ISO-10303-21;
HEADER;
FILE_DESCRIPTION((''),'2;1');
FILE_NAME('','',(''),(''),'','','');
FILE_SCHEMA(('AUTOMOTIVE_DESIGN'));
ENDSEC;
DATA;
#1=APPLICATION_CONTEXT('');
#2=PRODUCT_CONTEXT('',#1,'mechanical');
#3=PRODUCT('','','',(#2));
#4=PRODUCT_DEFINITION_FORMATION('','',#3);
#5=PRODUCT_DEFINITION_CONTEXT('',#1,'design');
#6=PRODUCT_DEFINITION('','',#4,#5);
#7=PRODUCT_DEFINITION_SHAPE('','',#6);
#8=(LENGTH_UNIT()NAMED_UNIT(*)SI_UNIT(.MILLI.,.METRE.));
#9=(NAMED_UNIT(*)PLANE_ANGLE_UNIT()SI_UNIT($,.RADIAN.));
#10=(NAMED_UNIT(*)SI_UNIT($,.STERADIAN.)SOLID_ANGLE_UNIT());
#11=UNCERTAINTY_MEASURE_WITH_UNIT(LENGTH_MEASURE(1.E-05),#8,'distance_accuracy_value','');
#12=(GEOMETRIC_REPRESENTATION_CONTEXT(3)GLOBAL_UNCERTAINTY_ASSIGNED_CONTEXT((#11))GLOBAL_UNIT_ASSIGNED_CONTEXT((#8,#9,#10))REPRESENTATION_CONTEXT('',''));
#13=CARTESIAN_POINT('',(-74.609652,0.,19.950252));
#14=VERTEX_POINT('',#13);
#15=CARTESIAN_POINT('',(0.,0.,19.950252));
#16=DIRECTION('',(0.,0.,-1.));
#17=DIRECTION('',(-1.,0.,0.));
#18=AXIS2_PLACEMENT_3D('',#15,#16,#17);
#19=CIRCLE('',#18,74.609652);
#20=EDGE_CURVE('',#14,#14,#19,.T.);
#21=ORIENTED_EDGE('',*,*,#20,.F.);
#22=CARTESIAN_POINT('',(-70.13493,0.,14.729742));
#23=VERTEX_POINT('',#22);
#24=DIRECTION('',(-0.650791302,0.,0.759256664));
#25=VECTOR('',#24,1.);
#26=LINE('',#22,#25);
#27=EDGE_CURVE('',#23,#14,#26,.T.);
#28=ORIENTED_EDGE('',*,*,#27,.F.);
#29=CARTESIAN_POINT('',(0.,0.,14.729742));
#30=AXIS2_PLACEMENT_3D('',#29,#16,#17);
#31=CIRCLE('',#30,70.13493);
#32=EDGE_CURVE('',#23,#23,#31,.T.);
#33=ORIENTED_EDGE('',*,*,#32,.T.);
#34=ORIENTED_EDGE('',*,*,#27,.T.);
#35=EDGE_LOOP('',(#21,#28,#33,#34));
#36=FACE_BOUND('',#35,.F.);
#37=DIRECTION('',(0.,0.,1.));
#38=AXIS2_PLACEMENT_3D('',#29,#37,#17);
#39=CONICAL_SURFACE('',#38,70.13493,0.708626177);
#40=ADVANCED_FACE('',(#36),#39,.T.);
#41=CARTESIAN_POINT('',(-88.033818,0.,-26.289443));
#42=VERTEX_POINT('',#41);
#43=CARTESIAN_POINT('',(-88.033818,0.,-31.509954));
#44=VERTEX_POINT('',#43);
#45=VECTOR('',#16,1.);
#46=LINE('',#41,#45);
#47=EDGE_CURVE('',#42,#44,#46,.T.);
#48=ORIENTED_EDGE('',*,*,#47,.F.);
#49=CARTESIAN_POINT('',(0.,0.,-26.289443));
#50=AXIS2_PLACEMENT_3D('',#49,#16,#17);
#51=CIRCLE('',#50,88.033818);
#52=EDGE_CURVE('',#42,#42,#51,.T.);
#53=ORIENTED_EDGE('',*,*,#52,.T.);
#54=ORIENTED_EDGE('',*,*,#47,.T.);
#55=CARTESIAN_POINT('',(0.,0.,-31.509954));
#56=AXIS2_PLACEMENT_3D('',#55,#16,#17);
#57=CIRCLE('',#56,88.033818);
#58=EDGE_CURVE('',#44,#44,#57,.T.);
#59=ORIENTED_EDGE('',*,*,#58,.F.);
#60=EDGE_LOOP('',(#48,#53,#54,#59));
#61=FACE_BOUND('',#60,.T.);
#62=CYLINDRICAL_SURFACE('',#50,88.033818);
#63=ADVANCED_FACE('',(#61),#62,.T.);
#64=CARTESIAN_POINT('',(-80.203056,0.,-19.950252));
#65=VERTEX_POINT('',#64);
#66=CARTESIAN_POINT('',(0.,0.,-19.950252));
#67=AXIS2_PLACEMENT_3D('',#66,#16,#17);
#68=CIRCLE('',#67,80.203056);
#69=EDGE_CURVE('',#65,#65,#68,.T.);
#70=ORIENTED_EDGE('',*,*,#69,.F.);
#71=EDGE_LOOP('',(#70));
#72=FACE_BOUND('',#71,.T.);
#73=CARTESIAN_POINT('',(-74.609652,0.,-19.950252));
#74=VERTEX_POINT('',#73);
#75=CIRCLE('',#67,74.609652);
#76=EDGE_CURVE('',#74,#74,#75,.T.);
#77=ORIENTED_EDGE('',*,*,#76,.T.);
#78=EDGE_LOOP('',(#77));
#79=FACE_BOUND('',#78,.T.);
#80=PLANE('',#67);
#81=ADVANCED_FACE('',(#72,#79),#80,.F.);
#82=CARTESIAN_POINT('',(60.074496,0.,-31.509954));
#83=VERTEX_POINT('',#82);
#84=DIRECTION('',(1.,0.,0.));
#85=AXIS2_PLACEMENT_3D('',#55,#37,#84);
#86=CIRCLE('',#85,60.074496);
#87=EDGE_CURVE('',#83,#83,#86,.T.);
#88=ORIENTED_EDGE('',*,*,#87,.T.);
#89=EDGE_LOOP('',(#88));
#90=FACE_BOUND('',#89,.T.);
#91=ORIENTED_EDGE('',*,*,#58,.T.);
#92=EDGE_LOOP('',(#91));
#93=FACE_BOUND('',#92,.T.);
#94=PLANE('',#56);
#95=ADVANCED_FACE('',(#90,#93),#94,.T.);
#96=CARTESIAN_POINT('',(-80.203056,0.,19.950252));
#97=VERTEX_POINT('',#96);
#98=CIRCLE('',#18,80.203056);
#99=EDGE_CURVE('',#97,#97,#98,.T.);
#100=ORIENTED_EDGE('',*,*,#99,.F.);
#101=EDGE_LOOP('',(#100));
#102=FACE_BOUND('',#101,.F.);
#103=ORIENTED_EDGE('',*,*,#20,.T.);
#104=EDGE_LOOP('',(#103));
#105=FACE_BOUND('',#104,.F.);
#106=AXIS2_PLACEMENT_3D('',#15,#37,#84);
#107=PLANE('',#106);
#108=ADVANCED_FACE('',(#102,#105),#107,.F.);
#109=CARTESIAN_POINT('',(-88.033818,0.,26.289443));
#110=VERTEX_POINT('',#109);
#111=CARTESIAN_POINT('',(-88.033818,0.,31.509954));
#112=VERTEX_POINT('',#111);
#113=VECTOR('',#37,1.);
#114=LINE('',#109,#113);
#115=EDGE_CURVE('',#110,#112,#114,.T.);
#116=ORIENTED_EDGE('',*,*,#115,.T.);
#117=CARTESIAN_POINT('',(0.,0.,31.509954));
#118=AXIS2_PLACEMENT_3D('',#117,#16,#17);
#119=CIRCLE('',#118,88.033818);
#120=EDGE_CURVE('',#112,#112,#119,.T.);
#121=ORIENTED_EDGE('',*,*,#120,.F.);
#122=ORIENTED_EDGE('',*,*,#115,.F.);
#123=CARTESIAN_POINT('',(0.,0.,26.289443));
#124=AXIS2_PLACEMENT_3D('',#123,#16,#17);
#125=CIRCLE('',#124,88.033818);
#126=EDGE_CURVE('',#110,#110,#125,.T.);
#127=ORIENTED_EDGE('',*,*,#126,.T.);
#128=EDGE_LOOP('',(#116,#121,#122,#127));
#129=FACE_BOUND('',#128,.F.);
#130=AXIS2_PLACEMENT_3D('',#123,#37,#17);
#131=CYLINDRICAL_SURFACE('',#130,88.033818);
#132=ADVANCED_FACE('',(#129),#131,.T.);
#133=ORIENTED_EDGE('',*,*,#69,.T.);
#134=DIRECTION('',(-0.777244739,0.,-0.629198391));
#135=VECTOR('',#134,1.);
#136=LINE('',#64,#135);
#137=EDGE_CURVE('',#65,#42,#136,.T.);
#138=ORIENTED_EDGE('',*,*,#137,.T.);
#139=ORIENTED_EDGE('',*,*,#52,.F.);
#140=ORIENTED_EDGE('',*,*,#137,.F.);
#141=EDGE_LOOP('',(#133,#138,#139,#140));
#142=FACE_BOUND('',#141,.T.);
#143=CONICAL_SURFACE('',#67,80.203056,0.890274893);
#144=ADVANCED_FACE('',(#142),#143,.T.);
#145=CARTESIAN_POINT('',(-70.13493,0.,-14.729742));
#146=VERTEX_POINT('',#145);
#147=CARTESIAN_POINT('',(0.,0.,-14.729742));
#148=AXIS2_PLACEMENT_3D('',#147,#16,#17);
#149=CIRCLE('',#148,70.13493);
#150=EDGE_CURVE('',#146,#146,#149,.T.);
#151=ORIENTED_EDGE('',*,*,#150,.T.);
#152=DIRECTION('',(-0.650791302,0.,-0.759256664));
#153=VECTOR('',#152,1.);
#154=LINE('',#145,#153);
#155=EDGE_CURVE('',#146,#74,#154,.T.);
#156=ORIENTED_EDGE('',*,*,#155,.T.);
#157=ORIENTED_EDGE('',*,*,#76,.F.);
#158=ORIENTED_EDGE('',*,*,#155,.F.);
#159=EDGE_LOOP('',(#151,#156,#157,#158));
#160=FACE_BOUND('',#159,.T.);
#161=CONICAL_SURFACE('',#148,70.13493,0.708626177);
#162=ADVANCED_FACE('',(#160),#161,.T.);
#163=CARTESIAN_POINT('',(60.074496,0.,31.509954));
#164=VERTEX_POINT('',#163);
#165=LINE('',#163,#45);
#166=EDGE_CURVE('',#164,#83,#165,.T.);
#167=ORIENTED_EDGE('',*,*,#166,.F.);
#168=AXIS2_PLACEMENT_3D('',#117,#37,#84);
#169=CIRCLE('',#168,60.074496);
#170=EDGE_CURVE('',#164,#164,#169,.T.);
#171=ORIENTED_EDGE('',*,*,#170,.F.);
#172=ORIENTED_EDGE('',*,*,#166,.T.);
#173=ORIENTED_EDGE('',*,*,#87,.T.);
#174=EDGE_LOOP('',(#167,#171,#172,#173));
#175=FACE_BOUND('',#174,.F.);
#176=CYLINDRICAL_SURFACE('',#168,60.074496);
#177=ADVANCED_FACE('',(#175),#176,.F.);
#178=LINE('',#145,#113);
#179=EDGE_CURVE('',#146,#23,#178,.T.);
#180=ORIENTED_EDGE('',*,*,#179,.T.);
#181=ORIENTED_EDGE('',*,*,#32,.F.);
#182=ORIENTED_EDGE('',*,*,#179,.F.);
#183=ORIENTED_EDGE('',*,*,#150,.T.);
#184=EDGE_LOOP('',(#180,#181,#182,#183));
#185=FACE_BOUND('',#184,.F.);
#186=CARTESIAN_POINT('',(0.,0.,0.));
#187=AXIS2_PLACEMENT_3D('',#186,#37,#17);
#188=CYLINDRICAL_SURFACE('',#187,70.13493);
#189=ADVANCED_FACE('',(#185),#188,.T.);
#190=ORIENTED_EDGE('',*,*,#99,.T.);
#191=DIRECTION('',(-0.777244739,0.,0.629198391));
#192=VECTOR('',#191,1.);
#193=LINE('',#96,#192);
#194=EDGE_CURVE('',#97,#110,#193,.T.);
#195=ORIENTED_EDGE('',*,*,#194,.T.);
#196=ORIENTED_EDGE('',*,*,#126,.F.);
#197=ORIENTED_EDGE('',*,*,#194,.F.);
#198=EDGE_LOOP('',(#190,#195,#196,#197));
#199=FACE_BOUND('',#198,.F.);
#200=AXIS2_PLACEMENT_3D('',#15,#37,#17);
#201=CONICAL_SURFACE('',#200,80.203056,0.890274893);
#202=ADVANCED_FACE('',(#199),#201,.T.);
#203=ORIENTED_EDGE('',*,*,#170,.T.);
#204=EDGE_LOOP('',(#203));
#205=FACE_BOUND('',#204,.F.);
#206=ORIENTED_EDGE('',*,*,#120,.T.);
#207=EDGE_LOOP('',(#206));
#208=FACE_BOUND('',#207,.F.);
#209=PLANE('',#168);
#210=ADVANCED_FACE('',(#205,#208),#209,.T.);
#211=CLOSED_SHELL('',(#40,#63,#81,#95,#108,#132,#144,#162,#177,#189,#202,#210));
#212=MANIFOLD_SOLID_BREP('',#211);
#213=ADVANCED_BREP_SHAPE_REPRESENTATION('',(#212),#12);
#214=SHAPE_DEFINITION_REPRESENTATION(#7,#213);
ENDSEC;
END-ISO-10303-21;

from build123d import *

# Parameters (mm, degrees)
F3_R     = 60.074496
F4_DEPTH = 139


with BuildPart() as f1:
    # F0 (on Front) → F1 (revolve)
    with BuildSketch(Plane.XZ):
        Polygon((0, -31.509954), (0, 0), (-70.13493, 0), (-70.13493, -14.729742), (-74.609652, -19.950252), (-80.203056, -19.950252), (-88.033818, -26.289443), (-88.033818, -31.509954), align=None)
    revolve(axis=Axis((0, 0, -15.754977), (0, 0, -1)))

    # F2: F1 across face


with BuildPart() as f1_1:
    add(f1.part)
    add(f1.part.mirror(Plane.XY))

    # F3 (on face) → F4 (cut)
    with BuildSketch(Plane.XY.offset(31.509954)):
        Circle(F3_R)
    extrude(amount=-F4_DEPTH, mode=Mode.SUBTRACT)


solid = f1_1.part
